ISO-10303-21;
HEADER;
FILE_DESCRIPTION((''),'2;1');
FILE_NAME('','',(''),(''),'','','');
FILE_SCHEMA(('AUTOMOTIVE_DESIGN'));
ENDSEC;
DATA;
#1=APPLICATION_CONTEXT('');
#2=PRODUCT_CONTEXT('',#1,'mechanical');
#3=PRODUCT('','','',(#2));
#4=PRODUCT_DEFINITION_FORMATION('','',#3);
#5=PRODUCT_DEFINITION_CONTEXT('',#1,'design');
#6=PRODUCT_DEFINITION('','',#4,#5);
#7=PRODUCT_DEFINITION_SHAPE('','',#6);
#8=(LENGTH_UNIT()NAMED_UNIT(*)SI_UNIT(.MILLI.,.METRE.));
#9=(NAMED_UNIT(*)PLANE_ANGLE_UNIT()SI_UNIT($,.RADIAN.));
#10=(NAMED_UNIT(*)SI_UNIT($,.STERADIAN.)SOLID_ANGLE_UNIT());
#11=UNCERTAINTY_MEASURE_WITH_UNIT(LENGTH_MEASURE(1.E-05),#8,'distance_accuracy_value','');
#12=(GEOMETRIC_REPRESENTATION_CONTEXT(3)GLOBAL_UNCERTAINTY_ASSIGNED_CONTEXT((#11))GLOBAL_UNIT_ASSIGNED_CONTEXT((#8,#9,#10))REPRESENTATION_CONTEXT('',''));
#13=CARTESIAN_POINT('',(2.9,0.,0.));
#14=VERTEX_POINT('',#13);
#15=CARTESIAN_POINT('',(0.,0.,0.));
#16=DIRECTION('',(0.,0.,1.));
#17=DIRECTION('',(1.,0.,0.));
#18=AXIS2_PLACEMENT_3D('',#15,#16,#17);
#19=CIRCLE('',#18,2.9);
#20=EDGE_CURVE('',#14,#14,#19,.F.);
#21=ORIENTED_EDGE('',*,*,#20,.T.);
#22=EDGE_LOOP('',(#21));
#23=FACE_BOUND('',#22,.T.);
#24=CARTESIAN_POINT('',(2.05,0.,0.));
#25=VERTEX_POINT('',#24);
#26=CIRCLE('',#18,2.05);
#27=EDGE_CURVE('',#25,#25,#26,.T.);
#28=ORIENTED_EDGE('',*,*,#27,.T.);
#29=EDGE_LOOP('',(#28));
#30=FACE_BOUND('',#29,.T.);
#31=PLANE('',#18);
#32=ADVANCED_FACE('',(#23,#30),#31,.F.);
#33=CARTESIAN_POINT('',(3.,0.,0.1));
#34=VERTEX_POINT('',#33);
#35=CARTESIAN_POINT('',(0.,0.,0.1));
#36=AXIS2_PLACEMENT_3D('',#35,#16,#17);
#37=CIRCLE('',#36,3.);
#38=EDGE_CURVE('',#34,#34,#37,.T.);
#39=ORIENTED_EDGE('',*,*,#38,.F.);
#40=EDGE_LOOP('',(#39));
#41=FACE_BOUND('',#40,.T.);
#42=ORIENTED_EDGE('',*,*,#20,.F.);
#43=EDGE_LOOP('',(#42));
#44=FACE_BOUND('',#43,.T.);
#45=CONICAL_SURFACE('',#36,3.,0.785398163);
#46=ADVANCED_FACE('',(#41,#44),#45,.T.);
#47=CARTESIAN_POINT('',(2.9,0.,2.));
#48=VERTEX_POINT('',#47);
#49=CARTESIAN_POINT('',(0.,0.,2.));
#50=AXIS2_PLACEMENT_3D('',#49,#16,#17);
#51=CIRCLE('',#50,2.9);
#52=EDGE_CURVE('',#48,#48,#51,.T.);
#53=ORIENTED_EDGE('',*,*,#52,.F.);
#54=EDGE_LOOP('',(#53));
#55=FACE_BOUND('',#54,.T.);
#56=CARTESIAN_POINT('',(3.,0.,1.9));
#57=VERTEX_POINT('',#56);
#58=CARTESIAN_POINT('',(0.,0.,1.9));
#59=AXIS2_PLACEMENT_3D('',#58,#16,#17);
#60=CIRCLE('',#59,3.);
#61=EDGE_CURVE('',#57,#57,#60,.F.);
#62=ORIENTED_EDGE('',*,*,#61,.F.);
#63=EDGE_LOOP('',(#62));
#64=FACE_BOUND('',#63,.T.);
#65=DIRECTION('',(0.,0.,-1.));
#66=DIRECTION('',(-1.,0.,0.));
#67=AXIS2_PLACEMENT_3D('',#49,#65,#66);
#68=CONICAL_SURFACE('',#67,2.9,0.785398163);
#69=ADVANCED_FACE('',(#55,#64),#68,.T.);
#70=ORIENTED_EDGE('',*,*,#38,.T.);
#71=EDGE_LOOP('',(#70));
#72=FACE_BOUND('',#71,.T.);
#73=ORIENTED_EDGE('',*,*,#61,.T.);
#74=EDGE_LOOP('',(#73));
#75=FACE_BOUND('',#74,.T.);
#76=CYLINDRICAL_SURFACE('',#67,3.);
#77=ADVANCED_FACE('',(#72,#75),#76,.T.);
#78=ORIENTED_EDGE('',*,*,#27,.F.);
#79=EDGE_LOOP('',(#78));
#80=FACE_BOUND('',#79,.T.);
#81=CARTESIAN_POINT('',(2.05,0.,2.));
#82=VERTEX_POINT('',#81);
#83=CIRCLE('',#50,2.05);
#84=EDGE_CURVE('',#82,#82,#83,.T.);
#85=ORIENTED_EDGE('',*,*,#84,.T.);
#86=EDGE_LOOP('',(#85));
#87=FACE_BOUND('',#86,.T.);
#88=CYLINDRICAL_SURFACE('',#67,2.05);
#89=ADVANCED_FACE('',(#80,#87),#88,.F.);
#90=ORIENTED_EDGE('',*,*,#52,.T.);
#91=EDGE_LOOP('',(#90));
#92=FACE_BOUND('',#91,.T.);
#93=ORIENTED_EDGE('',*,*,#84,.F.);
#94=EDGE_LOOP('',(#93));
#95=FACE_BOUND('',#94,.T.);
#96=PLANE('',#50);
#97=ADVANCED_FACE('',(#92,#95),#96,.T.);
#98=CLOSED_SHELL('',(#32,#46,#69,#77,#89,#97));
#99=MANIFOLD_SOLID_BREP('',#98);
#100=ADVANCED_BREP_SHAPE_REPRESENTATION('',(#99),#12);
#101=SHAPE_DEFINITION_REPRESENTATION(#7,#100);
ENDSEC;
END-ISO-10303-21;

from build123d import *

# Parameters (mm, degrees)
SKETCH_1_R      = 3
SKETCH_1_R_2    = 2.05
EXTRUDE_1_DEPTH = 2
CHAMFER_1_SIZE  = 0.1


with BuildPart() as part:
    # 草图1 → 凸台-拉伸1 (new body)
    with BuildSketch(Plane.XY):
        Circle(SKETCH_1_R)
        Circle(SKETCH_1_R_2, mode=Mode.SUBTRACT)
    extrude(amount=EXTRUDE_1_DEPTH)

    # 倒角1
    chamfer_1_edges = [part.edges().sort_by_distance(p)[0] for p in [
        (-3, 0, 0),
        (-3, 0, 2),
    ]]
    chamfer(chamfer_1_edges, length=CHAMFER_1_SIZE)


solid = part.part
